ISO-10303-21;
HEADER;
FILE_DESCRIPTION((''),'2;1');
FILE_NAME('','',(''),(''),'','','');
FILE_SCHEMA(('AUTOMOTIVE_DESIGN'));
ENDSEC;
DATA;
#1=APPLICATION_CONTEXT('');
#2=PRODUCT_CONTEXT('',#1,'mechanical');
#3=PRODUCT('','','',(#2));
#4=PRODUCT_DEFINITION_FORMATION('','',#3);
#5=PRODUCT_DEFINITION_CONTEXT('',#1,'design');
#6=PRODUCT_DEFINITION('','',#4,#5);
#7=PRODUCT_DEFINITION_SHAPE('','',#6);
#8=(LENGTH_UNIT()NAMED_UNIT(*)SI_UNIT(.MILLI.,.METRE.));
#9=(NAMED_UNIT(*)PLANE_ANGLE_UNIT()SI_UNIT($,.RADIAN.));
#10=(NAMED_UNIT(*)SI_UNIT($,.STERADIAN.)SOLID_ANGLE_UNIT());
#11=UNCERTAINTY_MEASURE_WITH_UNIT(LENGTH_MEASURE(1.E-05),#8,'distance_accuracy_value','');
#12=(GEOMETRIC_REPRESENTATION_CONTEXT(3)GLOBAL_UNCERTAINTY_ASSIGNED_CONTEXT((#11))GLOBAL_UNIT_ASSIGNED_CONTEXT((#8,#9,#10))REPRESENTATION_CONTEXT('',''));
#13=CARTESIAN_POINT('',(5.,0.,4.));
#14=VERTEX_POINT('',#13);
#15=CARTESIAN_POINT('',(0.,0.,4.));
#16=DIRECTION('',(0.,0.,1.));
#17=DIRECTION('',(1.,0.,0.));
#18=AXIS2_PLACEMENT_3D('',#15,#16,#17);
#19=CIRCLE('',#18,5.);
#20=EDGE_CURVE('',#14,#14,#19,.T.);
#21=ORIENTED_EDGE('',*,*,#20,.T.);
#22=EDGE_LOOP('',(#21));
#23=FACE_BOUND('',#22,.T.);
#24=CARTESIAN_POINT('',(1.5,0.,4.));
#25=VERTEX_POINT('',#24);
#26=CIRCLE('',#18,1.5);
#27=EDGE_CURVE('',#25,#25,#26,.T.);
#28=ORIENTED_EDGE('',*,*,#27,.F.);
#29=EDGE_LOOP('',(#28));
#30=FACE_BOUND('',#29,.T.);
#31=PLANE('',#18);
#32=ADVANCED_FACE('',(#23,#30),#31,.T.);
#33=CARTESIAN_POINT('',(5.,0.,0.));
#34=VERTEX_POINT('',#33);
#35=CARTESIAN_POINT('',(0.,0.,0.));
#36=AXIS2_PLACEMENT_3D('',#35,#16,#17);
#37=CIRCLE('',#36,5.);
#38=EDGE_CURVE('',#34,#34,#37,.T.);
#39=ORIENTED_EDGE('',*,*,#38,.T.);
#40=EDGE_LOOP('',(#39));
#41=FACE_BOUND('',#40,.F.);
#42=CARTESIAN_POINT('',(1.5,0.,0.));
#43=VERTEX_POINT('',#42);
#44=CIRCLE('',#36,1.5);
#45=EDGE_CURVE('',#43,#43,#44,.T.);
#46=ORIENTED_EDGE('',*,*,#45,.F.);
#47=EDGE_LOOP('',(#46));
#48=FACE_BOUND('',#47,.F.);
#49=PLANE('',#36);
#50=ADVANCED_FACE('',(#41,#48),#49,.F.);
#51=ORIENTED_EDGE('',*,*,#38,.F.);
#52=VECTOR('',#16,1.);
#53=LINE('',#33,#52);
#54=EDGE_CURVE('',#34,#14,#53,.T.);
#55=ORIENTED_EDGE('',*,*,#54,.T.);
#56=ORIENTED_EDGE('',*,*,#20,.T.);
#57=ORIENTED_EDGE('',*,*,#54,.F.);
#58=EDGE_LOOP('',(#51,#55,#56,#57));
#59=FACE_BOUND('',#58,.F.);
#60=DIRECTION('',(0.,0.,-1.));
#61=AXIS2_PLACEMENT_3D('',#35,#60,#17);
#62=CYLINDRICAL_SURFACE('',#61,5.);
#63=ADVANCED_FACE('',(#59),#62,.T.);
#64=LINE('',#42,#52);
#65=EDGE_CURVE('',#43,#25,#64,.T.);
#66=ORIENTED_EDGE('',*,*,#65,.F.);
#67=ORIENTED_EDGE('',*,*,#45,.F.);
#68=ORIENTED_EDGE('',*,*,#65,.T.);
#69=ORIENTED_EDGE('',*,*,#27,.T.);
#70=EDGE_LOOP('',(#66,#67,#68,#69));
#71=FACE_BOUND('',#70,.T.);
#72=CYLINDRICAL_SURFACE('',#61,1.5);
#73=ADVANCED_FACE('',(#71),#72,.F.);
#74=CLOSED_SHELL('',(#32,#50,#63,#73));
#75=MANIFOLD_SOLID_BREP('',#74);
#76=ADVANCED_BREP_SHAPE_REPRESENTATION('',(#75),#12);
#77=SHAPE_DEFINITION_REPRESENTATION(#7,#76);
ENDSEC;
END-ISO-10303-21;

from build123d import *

# Parameters (mm, degrees)
ESQUISSE1_R        = 5
ESQUISSE1_R_2      = 1.5
BOSS_EXTRU_1_DEPTH = 4


with BuildPart() as part:
    # Esquisse1 → Boss.-Extru.1 (new body)
    with BuildSketch(Plane.XY):
        Circle(ESQUISSE1_R)
        Circle(ESQUISSE1_R_2, mode=Mode.SUBTRACT)
    extrude(amount=BOSS_EXTRU_1_DEPTH)


solid = part.part
